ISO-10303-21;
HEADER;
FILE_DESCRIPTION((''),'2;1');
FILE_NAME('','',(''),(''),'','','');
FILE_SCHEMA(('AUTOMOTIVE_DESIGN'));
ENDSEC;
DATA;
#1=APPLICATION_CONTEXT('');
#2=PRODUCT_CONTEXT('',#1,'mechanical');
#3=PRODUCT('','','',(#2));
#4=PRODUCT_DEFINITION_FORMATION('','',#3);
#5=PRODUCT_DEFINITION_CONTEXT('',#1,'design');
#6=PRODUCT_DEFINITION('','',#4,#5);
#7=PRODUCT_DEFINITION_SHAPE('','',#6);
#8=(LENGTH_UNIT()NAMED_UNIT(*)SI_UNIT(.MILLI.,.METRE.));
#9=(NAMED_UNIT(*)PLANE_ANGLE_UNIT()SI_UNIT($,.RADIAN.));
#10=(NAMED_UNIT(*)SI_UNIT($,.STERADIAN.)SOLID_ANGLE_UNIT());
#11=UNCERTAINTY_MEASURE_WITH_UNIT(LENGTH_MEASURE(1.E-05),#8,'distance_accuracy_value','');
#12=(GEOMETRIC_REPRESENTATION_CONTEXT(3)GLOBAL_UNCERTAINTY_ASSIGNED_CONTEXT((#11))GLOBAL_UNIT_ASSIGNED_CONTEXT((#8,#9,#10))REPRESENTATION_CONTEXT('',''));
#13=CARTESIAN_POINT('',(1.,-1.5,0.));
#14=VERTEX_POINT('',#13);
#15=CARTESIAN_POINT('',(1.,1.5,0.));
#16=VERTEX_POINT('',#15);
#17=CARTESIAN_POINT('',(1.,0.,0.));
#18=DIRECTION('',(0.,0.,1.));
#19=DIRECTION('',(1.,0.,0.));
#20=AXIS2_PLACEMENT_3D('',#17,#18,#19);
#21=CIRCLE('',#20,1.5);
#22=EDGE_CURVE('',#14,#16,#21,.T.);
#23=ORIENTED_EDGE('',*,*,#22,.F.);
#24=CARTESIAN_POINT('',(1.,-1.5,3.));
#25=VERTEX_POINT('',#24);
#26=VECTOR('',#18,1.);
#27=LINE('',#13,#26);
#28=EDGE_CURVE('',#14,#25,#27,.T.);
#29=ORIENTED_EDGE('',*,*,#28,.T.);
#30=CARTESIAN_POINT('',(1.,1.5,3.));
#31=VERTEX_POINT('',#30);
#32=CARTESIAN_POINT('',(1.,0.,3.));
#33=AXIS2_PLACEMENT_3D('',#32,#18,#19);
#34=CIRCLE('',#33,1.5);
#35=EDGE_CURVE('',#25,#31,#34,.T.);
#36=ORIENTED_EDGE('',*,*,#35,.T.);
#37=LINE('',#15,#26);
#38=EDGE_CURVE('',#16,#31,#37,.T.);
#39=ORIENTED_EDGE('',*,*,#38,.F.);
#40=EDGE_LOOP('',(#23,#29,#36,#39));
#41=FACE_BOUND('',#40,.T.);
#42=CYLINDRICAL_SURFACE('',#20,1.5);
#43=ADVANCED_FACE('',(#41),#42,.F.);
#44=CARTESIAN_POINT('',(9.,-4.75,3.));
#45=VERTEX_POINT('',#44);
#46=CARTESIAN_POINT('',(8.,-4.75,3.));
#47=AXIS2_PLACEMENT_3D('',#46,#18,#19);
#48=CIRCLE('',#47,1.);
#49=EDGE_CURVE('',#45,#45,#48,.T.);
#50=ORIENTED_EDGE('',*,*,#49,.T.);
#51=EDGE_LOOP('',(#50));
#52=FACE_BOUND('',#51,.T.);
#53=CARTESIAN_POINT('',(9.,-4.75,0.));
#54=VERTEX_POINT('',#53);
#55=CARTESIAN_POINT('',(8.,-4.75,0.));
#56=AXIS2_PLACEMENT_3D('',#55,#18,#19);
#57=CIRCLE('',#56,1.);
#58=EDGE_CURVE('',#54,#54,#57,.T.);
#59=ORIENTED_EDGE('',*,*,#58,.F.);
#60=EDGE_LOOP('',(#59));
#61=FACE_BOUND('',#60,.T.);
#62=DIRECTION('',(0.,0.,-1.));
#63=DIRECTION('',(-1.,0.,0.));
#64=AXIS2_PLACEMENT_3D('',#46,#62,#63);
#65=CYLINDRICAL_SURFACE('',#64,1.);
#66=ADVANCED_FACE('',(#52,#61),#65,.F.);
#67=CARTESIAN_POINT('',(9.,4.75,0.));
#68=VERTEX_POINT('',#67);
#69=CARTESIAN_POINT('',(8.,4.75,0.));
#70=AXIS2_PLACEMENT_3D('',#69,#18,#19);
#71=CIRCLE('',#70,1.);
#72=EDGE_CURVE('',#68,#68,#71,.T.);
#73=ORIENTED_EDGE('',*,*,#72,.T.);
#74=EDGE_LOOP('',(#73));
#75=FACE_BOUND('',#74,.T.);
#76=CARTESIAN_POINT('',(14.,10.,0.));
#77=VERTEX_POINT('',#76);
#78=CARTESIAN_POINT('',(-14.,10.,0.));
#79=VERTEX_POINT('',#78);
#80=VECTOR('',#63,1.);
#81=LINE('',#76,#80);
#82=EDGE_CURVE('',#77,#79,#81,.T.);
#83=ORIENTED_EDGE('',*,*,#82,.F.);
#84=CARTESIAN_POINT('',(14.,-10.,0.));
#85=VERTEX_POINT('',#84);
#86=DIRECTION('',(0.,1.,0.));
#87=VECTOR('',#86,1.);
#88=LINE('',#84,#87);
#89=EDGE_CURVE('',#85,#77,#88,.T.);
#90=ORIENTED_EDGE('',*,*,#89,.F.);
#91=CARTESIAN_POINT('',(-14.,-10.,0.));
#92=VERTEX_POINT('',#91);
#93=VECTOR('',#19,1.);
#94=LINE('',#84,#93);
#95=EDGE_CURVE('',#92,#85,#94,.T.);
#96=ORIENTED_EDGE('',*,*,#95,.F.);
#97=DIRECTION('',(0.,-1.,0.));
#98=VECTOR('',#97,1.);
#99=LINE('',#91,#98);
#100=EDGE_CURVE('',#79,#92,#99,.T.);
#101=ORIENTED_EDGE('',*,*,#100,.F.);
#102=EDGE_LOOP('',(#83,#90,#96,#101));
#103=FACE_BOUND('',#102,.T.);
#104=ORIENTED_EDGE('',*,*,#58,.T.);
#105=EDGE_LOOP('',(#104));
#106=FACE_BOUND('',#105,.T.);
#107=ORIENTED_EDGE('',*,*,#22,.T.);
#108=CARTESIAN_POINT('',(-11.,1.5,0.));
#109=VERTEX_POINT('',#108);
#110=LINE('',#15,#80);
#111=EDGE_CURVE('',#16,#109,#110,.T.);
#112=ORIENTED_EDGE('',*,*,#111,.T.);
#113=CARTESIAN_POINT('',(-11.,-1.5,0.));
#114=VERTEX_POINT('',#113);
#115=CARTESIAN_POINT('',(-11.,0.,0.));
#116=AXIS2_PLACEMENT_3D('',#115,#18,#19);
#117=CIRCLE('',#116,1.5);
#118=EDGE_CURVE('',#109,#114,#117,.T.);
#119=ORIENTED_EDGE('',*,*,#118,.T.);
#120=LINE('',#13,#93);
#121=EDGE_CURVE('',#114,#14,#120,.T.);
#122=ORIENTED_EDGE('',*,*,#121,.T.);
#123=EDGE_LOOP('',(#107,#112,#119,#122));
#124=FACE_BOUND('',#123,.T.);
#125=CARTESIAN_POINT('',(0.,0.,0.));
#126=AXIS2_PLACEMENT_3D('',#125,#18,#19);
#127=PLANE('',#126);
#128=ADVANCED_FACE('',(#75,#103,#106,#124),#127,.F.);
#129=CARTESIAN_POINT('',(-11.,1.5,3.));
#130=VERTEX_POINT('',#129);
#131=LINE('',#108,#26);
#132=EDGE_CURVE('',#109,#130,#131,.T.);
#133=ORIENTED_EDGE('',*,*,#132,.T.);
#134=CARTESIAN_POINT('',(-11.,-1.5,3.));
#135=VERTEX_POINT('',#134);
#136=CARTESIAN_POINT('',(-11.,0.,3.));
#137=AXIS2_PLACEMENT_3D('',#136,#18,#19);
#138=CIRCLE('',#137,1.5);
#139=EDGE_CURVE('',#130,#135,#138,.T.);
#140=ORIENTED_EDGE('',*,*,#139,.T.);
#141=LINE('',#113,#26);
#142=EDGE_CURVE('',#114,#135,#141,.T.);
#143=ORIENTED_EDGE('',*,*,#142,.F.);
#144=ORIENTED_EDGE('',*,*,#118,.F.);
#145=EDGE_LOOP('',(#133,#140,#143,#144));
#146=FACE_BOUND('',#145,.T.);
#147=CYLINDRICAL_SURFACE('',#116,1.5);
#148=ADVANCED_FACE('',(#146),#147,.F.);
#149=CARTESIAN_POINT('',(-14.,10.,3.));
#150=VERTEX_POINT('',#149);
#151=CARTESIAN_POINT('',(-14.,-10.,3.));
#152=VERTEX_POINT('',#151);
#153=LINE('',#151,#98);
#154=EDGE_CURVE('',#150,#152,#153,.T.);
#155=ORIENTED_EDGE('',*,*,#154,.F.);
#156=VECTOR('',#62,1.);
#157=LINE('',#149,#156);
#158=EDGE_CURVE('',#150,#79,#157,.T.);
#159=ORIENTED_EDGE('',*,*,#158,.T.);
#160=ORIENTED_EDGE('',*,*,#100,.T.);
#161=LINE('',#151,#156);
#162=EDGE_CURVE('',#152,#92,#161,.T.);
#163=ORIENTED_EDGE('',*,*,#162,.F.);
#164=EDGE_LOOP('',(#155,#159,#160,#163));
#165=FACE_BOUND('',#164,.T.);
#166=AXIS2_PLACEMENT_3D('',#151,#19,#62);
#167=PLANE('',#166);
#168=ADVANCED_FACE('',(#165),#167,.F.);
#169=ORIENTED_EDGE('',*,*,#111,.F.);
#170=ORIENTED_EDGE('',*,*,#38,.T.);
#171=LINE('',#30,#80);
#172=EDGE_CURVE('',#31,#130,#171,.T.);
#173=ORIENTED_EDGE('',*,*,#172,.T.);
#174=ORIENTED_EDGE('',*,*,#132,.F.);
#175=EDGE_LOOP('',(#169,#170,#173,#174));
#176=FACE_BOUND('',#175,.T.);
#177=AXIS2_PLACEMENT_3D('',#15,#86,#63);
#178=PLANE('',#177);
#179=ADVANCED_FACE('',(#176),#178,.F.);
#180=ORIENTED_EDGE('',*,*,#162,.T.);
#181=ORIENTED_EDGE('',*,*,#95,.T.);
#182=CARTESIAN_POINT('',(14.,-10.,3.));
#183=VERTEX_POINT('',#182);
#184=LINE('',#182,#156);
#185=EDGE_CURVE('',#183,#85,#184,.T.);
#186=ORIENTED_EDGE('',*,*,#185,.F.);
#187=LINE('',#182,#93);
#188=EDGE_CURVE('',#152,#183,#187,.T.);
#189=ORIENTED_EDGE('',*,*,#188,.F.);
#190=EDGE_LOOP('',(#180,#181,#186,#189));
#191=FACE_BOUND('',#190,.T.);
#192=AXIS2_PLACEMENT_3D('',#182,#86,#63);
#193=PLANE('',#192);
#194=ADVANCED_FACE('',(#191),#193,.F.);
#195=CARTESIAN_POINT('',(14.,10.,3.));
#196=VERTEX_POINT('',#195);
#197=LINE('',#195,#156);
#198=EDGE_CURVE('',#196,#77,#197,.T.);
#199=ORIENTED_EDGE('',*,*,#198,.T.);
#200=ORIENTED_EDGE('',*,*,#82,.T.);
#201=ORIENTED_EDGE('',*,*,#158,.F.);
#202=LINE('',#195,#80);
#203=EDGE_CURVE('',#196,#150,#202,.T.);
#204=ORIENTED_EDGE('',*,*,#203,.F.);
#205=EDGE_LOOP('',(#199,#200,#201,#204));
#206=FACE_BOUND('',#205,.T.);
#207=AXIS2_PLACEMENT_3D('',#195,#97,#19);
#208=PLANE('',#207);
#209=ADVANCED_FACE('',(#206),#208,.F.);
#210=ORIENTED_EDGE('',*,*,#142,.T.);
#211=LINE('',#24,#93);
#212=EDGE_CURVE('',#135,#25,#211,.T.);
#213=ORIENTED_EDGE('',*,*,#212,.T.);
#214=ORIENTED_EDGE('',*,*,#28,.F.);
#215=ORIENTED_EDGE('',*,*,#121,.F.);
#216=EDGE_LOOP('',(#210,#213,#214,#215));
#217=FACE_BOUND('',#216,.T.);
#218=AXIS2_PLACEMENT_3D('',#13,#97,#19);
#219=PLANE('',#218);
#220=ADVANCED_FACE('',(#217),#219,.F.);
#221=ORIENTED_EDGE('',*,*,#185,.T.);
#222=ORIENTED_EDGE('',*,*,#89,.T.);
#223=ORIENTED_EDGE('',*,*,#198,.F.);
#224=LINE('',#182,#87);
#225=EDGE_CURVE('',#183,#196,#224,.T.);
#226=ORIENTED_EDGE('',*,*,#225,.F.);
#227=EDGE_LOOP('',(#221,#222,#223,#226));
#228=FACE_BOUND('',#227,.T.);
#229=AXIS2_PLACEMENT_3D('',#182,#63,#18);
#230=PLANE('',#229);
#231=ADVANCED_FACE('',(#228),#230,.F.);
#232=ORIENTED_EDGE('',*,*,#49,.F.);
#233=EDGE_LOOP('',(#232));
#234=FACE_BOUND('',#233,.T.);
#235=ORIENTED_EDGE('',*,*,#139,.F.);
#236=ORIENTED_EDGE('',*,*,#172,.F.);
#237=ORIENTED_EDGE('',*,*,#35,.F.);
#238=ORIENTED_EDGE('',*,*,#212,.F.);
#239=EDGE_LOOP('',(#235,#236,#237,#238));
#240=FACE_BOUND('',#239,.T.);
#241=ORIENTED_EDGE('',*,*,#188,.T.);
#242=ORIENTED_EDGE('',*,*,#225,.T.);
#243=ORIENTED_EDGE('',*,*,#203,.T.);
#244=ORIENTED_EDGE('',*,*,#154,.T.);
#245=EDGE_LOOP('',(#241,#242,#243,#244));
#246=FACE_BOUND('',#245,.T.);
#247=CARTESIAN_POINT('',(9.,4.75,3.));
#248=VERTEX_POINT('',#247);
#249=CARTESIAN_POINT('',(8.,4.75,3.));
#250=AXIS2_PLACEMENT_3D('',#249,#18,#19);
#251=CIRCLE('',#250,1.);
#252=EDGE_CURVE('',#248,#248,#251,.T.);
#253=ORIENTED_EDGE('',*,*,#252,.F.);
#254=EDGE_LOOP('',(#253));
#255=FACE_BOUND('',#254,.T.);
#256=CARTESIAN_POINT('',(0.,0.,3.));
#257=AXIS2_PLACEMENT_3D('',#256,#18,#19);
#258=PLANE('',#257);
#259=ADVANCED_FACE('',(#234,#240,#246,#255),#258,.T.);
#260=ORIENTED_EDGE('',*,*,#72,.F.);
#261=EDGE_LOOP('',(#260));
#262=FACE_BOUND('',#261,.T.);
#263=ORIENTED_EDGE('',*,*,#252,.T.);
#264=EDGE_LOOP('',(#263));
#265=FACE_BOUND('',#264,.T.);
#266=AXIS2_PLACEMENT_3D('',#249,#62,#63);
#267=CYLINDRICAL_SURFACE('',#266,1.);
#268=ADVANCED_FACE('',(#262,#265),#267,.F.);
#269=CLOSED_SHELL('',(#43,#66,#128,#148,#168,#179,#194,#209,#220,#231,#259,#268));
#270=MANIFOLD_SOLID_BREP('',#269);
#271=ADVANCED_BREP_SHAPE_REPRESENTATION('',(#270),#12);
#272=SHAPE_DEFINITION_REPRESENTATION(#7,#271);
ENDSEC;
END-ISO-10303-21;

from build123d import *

# Parameters (mm, degrees)
SKETCH_1_W          = 28
SKETCH_1_H          = 20
SKETCH_1_R          = 1
EXTRUDE_1_DEPTH     = 3
CUT_EXTRUDE_1_DEPTH = 4
SKETCH_3_W          = 17.35128085
SKETCH_3_H          = 5.450829119
SKETCH_3_W_2        = 17.701224177
SKETCH_3_H_2        = 5.124932949
EXTRUDE_2_DEPTH     = 3


with BuildPart() as part:
    # 草图1 → 凸台-拉伸1 (new body)
    with BuildSketch(Plane.XY):
        Rectangle(SKETCH_1_W, SKETCH_1_H)
        with Locations((8, 4.75)):
            Circle(SKETCH_1_R, mode=Mode.SUBTRACT)
        with Locations((8, -4.75)):
            Circle(SKETCH_1_R, mode=Mode.SUBTRACT)
        with BuildLine():
            Line((-11, 6.25), (1, 6.25))
            ThreePointArc((1, 6.25), (2.5, 4.75), (1, 3.25))
            Line((1, 3.25), (-11, 3.25))
            ThreePointArc((-11, 3.25), (-12.5, 4.75), (-11, 6.25))
        make_face(mode=Mode.SUBTRACT)
        with BuildLine():
            Line((-11, -6.25), (1, -6.25))
            ThreePointArc((1, -6.25), (2.5, -4.75), (1, -3.25))
            Line((1, -3.25), (-11, -3.25))
            ThreePointArc((-11, -3.25), (-12.5, -4.75), (-11, -6.25))
        make_face(mode=Mode.SUBTRACT)
    extrude(amount=EXTRUDE_1_DEPTH)

    # 草图2 → 切除-拉伸1 (cut, through all)
    with BuildSketch(Plane.XY.offset(3)):
        with BuildLine():
            Line((1, -1.5), (-11, -1.5))
            ThreePointArc((-11, -1.5), (-12.5, 0), (-11, 1.5))
            Line((-11, 1.5), (1, 1.5))
            ThreePointArc((1, 1.5), (2.5, 0), (1, -1.5))
        make_face()
    extrude(amount=-CUT_EXTRUDE_1_DEPTH, mode=Mode.SUBTRACT)

    # 草图3 → 凸台-拉伸2 (add)
    with BuildSketch(Plane.XY.offset(3)):
        with Locations((-4.556899514, 5.212806564)):
            Rectangle(SKETCH_3_W, SKETCH_3_H)
        with Locations((-4.381927851, -5.15844561)):
            Rectangle(SKETCH_3_W_2, SKETCH_3_H_2)
    extrude(amount=-EXTRUDE_2_DEPTH)


solid = part.part
